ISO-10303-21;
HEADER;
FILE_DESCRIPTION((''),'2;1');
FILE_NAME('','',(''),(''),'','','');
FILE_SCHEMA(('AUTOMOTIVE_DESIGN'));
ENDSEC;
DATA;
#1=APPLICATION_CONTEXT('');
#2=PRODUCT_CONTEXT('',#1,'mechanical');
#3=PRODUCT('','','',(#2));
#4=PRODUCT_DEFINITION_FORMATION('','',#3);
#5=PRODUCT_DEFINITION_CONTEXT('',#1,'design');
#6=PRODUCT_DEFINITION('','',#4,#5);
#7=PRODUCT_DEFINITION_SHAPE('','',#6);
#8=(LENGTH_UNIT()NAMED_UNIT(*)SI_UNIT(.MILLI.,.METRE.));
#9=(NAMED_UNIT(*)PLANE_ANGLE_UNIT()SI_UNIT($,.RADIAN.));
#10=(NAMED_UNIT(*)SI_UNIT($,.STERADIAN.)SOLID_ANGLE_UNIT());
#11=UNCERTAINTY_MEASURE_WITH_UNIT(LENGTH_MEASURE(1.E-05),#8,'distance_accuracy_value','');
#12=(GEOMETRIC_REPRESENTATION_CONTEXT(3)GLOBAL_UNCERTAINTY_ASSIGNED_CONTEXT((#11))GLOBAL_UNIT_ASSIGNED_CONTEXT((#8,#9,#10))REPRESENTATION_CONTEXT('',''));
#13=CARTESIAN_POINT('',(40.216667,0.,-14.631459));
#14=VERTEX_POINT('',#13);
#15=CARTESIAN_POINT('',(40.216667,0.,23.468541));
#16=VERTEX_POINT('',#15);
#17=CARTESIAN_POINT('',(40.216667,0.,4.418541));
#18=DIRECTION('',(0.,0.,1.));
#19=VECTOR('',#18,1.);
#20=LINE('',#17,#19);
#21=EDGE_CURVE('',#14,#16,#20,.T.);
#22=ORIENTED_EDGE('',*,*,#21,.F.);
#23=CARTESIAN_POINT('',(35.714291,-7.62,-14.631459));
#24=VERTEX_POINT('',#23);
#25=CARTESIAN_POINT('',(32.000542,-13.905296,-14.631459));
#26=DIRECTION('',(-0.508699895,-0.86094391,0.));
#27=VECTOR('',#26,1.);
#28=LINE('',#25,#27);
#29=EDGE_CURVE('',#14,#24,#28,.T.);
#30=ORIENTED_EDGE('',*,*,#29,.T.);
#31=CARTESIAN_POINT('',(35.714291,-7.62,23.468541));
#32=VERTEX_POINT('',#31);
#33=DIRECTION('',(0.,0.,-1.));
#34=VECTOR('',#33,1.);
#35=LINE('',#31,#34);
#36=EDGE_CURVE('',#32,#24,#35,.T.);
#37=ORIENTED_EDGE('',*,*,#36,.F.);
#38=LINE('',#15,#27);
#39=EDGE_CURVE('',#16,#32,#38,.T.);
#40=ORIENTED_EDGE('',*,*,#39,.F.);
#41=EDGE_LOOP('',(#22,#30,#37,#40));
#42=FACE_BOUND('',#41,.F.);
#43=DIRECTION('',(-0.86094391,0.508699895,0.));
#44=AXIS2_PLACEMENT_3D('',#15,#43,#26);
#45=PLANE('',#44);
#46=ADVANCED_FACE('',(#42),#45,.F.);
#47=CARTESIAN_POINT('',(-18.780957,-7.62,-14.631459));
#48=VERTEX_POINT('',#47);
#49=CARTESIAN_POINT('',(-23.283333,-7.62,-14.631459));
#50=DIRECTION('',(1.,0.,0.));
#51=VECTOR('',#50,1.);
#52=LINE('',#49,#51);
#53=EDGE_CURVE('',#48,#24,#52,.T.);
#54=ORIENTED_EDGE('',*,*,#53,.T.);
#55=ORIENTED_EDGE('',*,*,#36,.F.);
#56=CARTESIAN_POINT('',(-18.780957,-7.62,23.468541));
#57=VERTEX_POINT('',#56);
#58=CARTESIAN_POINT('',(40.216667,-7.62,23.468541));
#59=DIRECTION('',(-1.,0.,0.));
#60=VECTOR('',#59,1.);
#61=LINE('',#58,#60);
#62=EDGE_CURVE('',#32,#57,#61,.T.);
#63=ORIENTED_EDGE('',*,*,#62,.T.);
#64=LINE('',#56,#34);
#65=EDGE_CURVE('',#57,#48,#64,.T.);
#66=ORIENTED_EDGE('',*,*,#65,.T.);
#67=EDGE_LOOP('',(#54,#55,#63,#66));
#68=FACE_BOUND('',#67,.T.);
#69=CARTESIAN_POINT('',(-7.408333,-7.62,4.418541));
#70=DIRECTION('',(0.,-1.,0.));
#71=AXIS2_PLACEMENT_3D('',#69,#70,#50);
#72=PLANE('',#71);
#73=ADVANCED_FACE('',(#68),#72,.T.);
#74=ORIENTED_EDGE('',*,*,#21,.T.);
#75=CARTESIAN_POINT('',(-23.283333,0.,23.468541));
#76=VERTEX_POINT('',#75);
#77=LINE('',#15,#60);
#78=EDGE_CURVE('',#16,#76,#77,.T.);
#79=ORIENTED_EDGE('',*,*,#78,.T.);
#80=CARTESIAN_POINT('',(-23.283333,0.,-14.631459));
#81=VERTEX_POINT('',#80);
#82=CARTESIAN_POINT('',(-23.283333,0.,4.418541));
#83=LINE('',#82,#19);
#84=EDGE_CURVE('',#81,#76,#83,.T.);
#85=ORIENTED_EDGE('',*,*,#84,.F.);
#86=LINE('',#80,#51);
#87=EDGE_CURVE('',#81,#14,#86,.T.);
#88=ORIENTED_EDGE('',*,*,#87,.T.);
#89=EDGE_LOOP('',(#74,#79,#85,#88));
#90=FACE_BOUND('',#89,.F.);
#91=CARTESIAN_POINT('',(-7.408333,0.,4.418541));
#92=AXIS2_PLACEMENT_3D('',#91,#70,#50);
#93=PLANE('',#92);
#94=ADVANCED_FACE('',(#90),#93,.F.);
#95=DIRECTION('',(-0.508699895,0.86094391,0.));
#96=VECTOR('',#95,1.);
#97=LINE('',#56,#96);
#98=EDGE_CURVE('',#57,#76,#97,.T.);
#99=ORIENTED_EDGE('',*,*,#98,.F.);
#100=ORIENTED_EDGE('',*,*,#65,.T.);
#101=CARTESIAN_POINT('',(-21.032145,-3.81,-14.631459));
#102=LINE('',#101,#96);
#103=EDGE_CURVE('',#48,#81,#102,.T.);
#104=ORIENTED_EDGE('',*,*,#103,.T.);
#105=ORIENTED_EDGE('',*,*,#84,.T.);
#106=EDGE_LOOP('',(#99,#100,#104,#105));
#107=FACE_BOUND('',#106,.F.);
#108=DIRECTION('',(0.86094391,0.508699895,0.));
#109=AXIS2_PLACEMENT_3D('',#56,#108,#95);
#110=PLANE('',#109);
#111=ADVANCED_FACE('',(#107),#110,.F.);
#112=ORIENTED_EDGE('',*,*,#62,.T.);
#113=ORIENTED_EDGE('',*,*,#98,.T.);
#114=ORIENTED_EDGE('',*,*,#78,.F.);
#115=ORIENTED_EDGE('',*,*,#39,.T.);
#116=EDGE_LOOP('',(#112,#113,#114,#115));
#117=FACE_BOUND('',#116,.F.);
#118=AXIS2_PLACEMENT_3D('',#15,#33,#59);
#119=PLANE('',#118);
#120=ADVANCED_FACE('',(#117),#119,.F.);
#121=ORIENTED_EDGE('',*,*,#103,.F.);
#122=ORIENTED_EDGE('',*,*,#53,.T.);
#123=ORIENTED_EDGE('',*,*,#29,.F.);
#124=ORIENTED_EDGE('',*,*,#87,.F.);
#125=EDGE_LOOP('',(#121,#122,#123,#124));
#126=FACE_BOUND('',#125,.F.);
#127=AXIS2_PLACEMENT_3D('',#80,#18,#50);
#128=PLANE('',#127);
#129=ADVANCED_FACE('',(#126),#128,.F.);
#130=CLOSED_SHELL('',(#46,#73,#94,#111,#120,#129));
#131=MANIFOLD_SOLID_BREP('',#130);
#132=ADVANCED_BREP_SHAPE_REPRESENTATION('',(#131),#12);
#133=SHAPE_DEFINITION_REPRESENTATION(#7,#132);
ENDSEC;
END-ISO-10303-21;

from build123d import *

# Parameters (mm, degrees)
F0_W     = 31.75
F0_H     = 38.1
F1_DEPTH = 7.62
F3_DEPTH = 38.5826


with BuildPart() as f1:
    # F0 (on Front) → F1 (new body)
    with BuildSketch(Plane.XZ):
        with Locations((-7.408333, 4.418541)):
            Rectangle(F0_W, F0_H)
        with Locations((24.341667, 4.418541)):
            Rectangle(F0_W, F0_H)
    extrude(amount=F1_DEPTH)

    # F2 (on face) → F3 (cut)
    with BuildSketch(Plane.XY.offset(23.468541)):
        Polygon((40.216667, -7.62), (40.216667, 0), (35.714291, -7.62), align=None)
        Polygon((-18.780957, -7.62), (-23.283333, 0), (-23.283333, -7.62), align=None)
    extrude(amount=-F3_DEPTH, mode=Mode.SUBTRACT)


solid = f1.part
